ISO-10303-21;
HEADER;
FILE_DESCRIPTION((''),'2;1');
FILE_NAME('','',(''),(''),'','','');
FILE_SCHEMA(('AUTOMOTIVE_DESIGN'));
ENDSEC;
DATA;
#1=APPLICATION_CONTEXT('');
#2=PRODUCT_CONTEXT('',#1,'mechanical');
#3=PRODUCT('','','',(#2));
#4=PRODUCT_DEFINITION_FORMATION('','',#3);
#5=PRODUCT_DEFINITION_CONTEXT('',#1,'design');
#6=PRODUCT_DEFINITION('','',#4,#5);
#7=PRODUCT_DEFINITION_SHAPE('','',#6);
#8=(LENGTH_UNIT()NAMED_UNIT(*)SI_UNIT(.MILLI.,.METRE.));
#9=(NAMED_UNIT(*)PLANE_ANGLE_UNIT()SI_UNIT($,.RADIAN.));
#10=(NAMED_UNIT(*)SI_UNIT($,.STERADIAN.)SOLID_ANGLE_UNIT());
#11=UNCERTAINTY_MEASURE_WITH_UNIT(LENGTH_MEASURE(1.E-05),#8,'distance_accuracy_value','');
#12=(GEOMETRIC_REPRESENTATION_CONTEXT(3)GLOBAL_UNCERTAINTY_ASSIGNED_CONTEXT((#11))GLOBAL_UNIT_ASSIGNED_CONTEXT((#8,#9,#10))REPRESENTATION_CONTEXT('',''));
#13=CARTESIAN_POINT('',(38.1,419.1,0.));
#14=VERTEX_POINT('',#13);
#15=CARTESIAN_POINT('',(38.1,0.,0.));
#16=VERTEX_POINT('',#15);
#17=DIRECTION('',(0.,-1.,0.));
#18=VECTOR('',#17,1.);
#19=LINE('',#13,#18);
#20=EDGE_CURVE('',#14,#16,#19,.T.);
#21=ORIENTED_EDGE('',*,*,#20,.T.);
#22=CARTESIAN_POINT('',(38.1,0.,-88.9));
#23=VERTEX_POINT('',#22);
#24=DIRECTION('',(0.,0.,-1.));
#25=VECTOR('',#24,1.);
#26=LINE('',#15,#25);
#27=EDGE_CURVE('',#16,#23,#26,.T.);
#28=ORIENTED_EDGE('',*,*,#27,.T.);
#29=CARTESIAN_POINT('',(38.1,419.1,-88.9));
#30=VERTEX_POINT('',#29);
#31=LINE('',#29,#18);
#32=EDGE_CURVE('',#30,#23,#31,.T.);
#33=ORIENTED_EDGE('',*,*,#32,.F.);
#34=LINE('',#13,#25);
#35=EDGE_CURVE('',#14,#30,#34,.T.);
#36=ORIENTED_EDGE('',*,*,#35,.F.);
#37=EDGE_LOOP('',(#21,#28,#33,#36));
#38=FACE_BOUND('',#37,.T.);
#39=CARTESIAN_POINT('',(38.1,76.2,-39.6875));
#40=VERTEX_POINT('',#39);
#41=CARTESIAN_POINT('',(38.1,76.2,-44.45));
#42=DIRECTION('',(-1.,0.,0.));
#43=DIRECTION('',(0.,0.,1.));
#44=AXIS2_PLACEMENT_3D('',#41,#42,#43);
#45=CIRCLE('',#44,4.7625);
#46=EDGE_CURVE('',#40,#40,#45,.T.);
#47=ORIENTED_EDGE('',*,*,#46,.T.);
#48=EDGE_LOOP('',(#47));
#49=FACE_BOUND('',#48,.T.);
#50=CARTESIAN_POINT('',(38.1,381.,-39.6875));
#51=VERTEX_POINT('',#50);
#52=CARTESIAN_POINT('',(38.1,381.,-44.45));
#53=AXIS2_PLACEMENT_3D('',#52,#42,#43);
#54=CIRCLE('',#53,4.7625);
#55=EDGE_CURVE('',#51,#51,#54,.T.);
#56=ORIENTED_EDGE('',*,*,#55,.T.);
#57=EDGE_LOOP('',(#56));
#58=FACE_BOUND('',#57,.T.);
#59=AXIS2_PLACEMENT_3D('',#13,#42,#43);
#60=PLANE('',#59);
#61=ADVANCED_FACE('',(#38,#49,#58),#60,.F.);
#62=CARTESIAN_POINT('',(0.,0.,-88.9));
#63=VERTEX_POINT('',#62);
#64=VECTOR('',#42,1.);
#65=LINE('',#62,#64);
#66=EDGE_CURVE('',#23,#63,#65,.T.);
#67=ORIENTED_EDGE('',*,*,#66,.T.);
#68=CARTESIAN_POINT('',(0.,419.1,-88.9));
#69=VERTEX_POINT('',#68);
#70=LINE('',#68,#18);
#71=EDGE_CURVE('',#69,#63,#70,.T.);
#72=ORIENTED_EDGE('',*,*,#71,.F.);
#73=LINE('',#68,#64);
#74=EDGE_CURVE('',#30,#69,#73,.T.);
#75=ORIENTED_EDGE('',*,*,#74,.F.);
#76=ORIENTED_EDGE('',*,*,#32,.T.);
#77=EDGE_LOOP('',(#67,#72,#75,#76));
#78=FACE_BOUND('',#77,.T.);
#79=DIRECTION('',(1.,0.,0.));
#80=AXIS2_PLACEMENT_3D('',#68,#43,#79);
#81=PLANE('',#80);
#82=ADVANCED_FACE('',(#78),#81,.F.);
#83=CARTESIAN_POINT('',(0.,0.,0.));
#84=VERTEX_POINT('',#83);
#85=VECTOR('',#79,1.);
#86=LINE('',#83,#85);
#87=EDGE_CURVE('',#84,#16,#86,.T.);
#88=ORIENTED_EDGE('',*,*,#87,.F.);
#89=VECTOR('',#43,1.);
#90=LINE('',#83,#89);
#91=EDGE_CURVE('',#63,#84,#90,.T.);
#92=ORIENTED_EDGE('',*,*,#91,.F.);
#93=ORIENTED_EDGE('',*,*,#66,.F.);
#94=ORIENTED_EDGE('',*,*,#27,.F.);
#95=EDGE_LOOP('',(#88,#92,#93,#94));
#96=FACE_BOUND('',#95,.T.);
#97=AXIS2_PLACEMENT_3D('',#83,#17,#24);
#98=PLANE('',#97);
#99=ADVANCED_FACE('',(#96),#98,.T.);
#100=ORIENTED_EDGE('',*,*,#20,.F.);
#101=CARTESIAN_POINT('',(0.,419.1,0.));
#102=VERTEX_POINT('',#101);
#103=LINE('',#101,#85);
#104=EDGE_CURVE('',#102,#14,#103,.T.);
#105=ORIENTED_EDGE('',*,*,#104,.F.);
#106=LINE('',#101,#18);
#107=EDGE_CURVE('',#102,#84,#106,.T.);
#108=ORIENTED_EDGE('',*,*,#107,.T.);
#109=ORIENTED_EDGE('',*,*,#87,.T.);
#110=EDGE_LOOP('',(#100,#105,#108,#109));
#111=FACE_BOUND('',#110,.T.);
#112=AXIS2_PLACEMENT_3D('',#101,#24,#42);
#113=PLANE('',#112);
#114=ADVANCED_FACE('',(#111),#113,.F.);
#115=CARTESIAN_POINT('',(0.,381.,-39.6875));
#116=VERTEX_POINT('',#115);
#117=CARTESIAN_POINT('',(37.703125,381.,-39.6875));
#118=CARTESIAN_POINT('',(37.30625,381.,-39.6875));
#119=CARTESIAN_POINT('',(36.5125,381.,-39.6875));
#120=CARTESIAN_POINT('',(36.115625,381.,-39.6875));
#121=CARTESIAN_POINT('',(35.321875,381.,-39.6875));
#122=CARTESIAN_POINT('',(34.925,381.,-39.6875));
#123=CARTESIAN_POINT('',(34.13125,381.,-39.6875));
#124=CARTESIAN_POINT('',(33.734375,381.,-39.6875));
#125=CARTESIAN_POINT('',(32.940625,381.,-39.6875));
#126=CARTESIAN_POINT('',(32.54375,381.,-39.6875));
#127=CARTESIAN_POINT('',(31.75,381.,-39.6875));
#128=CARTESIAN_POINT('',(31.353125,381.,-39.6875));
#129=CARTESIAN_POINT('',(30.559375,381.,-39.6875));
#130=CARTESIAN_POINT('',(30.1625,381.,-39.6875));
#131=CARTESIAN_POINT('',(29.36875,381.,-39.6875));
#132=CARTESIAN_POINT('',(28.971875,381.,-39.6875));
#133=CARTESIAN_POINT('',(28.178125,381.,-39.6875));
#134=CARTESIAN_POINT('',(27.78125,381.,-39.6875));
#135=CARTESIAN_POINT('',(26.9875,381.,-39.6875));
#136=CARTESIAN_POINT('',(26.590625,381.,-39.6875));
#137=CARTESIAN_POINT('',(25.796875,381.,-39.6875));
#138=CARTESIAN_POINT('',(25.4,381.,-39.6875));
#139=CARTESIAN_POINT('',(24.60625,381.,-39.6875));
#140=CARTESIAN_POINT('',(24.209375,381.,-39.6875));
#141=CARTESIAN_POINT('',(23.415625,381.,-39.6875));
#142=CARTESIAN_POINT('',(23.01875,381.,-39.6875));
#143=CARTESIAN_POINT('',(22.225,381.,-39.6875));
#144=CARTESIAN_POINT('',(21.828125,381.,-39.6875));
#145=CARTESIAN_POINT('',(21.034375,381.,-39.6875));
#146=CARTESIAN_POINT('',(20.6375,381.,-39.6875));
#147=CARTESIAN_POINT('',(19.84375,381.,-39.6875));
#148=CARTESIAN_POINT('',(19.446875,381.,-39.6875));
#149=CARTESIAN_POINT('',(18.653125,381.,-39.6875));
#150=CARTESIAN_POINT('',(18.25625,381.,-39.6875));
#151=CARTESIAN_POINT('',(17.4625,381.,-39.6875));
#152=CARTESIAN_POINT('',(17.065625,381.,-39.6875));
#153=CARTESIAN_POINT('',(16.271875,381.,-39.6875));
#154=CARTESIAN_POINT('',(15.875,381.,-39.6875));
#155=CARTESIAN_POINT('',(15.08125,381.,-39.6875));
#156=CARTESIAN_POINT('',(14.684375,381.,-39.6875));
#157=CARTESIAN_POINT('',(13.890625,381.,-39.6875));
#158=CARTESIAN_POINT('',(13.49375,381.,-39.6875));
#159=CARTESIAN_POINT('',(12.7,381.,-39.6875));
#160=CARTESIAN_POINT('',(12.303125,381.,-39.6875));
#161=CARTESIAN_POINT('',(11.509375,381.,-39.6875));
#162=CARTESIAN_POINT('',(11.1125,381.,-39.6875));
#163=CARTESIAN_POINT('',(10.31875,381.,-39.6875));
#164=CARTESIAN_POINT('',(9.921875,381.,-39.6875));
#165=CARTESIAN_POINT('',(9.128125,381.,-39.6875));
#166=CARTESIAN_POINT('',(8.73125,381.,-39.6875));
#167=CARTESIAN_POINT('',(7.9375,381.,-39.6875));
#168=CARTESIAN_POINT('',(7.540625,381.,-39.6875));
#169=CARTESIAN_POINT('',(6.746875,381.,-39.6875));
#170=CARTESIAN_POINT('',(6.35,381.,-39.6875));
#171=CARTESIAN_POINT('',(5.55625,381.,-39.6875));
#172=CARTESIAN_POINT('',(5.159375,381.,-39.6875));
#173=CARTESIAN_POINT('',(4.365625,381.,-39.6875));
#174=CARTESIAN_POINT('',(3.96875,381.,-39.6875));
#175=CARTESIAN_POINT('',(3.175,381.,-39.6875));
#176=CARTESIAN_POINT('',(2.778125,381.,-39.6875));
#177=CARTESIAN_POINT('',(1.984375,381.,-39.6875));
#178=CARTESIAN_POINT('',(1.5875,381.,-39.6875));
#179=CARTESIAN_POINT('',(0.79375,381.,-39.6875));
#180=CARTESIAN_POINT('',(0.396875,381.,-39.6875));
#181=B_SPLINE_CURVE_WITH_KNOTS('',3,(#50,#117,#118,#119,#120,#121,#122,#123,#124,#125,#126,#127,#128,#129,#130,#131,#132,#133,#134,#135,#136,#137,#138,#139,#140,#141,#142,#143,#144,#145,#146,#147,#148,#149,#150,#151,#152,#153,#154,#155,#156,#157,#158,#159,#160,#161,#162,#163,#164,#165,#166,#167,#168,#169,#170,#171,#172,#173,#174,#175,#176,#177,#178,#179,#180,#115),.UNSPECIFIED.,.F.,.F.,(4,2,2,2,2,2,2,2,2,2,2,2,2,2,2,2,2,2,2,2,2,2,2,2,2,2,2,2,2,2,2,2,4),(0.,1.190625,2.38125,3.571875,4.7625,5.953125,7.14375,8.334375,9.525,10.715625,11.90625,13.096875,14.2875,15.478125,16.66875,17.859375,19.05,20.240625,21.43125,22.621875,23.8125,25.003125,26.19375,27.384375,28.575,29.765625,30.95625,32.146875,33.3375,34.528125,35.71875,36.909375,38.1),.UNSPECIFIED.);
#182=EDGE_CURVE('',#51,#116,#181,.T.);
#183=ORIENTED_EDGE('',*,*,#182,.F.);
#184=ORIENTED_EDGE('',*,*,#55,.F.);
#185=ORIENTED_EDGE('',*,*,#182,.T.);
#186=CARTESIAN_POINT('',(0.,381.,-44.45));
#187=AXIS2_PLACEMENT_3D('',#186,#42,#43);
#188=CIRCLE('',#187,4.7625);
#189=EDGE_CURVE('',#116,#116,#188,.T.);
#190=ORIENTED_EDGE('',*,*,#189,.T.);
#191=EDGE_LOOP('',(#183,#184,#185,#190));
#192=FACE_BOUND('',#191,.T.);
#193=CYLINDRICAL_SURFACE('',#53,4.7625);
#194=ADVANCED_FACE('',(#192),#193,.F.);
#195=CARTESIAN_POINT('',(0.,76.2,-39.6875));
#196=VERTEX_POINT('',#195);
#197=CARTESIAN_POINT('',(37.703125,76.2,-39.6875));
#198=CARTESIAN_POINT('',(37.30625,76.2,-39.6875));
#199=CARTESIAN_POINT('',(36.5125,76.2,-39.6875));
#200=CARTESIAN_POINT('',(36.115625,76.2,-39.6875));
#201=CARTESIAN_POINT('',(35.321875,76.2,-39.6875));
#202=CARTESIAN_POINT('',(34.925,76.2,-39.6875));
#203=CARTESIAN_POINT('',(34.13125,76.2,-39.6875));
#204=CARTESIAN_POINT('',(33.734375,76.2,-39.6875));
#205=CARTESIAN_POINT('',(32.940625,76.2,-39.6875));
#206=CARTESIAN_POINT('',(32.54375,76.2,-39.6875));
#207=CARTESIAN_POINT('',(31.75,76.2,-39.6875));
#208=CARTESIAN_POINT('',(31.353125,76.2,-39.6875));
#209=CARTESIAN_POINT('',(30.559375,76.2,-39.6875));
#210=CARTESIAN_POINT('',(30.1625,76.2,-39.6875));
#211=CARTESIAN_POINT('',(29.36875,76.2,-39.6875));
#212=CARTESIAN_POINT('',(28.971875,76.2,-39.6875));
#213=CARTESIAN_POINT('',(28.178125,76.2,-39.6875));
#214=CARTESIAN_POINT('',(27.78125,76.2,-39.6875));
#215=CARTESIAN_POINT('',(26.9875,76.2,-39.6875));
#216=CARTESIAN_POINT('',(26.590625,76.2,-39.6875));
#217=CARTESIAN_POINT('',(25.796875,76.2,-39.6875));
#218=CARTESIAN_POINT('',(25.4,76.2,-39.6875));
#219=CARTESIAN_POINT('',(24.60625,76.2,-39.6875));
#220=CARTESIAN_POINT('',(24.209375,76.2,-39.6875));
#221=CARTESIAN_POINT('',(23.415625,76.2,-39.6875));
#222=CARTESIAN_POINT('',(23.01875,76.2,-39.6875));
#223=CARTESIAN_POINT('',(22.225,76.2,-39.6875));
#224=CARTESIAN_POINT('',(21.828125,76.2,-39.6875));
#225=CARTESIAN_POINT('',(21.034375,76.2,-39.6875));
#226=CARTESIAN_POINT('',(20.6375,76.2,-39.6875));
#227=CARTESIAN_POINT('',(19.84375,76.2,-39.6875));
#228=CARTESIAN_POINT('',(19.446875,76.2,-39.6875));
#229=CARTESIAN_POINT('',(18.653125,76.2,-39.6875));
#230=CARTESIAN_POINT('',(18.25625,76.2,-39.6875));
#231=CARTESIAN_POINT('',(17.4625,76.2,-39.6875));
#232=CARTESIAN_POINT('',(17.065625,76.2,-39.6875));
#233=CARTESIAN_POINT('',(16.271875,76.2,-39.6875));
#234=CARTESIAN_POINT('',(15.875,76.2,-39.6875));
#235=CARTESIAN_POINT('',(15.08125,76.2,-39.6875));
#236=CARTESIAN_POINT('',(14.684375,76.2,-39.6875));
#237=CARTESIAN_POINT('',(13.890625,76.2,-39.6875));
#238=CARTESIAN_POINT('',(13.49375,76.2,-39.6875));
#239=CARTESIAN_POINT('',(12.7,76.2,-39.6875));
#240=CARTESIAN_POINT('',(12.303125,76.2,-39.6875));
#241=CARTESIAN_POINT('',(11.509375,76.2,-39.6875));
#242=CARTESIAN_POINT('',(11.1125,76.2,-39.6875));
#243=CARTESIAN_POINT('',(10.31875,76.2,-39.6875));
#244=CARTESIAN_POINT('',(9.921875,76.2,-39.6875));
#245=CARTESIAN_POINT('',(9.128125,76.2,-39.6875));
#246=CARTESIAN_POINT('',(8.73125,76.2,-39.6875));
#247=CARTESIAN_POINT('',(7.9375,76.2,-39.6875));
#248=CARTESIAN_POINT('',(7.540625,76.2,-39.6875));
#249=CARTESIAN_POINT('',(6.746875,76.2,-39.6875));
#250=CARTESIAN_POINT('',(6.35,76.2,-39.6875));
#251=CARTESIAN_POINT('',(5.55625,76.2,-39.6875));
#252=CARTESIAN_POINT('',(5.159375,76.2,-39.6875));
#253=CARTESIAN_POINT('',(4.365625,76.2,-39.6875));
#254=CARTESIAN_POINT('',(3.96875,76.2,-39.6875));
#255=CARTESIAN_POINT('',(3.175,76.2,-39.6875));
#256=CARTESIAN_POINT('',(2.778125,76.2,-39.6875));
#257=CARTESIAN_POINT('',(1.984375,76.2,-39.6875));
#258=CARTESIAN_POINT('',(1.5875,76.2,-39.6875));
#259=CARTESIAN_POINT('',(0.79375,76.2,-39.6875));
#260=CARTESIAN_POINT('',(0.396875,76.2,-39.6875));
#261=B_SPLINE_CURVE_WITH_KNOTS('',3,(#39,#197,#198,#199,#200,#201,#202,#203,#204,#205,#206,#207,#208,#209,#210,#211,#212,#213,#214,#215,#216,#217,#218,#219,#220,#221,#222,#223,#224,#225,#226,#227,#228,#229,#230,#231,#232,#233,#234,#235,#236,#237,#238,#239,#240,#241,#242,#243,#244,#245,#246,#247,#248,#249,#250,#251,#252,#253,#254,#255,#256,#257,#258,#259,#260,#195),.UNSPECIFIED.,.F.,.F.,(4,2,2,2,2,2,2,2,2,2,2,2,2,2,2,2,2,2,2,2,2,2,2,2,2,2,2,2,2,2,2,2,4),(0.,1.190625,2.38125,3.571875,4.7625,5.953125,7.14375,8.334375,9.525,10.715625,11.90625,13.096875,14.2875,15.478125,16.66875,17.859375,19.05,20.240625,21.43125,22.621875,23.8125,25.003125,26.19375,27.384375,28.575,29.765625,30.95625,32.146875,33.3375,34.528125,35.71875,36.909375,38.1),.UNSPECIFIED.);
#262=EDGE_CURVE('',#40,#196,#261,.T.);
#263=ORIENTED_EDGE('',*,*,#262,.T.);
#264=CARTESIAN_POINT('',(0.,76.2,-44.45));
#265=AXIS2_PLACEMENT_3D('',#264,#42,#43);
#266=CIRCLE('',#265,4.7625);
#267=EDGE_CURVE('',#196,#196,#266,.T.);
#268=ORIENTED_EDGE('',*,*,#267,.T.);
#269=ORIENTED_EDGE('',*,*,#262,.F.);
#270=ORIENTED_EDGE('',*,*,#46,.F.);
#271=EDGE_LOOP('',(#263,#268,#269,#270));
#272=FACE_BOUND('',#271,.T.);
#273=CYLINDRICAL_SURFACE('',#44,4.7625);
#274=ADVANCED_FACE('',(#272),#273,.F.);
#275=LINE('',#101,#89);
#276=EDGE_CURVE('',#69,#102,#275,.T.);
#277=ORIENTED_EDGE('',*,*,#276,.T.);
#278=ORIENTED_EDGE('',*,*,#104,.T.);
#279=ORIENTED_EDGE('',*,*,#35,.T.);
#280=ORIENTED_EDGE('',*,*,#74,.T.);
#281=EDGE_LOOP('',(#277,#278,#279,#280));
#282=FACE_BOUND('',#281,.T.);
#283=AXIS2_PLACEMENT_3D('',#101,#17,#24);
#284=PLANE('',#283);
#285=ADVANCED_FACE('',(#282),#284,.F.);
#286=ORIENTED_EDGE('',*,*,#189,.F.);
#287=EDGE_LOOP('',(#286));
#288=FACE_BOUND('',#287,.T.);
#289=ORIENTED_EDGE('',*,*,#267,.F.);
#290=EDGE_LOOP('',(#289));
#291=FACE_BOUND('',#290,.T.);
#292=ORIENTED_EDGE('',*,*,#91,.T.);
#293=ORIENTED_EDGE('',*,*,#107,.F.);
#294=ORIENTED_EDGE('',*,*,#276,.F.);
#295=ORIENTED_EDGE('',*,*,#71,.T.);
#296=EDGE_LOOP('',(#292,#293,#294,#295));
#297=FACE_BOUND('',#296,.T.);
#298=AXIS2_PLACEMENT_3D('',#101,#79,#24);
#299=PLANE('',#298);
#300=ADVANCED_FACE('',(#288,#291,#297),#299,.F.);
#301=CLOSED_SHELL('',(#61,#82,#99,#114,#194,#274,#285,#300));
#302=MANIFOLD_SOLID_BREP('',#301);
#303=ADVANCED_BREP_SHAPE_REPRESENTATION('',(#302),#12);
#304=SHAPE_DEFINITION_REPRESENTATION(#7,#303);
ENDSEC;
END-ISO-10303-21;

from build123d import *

# Parameters (mm, degrees)
SKETCH1_W           = 38.1
SKETCH1_H           = 88.9
BOSS_EXTRUDE1_DEPTH = 419.1
SKETCH2_OUTSIDE_W   = 176.924
SKETCH2_OUTSIDE_H   = 507.124
SKETCH2_OUTSIDE_W_2 = 88.9
SKETCH2_OUTSIDE_H_2 = 419.1
SKETCH2_OUTSIDE_R   = 4.7625
CUT_EXTRUDE1_DEPTH  = 38.1


with BuildPart() as part:
    # Sketch1 → Boss-Extrude1 (new body)
    with BuildSketch(Plane(origin=(0, 0, 0), x_dir=(1, 0, 0), z_dir=(0, 1, 0))):
        with Locations((19.05, 44.45)):
            Rectangle(SKETCH1_W, SKETCH1_H)
    extrude(amount=BOSS_EXTRUDE1_DEPTH)

    # Sketch2 outside → Cut-Extrude1 (cut)
    # profile 1 of 3: a face of its own
    with BuildSketch(Plane.ZY):
        with Locations((-44.45, 209.55)):
            Rectangle(SKETCH2_OUTSIDE_W, SKETCH2_OUTSIDE_H)
        with Locations((-44.45, 209.55)):
            Rectangle(SKETCH2_OUTSIDE_W_2, SKETCH2_OUTSIDE_H_2, mode=Mode.SUBTRACT)
    # profile 2 of 3: a face of its own
    with BuildSketch(Plane.ZY):
        with Locations((-44.45, 381)):
            Circle(SKETCH2_OUTSIDE_R)
    # profile 3 of 3: a face of its own
    with BuildSketch(Plane.ZY):
        with Locations((-44.45, 76.2)):
            Circle(SKETCH2_OUTSIDE_R)
    extrude(amount=-CUT_EXTRUDE1_DEPTH, mode=Mode.SUBTRACT)


solid = part.part
